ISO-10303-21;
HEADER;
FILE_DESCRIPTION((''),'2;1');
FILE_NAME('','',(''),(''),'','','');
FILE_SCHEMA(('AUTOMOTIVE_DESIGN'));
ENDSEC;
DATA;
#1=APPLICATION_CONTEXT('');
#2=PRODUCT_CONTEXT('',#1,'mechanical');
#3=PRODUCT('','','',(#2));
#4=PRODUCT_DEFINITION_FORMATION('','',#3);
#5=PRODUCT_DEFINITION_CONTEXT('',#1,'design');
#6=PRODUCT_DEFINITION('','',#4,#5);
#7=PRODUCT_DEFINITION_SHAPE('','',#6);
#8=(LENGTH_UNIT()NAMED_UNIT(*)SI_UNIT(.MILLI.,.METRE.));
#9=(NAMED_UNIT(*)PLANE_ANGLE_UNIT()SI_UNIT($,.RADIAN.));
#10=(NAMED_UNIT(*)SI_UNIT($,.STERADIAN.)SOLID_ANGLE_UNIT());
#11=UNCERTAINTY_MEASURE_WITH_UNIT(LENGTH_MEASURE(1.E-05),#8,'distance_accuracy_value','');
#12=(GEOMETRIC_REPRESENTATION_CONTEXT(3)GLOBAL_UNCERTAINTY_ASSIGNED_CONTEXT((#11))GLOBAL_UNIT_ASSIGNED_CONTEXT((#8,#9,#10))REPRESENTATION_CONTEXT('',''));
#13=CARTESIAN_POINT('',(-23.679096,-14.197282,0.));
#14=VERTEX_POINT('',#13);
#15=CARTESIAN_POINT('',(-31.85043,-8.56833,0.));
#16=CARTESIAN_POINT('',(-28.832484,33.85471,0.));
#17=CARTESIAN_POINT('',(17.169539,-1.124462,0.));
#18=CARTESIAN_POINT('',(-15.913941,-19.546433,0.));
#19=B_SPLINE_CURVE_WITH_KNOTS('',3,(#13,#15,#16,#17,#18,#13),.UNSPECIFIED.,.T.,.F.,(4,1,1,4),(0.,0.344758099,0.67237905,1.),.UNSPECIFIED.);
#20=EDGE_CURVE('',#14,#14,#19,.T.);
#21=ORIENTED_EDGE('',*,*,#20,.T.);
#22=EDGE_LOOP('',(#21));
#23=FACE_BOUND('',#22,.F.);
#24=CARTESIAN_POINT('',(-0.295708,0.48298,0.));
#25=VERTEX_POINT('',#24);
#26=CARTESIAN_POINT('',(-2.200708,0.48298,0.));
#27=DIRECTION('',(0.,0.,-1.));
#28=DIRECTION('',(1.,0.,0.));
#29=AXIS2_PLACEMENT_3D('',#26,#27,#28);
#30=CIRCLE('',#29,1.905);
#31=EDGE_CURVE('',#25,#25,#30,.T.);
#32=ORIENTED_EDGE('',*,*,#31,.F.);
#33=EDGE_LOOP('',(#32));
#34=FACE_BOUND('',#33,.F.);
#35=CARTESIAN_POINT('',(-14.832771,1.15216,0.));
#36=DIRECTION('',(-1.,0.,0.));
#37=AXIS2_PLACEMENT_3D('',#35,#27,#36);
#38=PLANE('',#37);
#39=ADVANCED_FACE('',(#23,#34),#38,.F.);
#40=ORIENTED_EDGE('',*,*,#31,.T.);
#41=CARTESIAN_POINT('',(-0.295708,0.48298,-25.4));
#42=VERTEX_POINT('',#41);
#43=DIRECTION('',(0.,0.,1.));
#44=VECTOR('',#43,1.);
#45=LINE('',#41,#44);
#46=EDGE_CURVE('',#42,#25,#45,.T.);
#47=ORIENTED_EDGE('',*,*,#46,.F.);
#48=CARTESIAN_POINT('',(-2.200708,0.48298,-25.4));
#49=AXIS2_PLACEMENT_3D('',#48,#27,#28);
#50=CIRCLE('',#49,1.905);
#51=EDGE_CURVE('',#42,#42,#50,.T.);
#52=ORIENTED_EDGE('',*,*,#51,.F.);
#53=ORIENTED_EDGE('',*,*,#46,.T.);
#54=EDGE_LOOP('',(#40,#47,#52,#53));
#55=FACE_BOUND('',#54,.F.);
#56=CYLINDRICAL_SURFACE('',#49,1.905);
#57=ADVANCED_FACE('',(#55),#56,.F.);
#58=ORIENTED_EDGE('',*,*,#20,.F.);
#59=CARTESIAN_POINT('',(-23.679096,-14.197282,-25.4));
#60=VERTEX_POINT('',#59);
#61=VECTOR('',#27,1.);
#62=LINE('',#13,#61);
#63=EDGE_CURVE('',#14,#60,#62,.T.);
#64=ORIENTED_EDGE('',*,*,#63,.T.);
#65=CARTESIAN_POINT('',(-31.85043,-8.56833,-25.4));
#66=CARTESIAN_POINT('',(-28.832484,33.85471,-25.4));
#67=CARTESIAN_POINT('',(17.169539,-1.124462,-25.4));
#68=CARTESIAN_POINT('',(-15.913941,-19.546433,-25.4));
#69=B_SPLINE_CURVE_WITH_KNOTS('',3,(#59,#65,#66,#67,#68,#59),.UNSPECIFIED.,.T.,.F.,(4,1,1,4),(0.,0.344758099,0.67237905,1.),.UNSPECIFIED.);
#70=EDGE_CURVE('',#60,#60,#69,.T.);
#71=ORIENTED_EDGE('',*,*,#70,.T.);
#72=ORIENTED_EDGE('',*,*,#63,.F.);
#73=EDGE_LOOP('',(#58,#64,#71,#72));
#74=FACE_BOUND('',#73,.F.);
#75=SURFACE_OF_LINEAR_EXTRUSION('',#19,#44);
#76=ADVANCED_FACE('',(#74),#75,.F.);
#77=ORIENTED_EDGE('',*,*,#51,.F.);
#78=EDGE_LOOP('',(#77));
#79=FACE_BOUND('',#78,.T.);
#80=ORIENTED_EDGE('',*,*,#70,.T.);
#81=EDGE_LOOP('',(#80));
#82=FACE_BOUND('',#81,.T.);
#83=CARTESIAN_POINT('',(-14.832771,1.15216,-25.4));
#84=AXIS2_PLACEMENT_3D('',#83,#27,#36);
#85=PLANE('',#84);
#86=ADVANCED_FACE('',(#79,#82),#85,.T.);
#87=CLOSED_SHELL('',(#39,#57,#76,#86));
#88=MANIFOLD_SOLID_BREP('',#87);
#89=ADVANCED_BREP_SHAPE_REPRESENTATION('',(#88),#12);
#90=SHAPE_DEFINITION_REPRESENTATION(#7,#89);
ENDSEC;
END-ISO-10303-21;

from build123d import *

# Parameters (mm, degrees)
F1_DEPTH = 25.4
F2_R     = 1.905
F3_DEPTH = 25.4


with BuildPart() as f1:
    # F0 (on Top) → F1 (new body)
    with BuildSketch(Plane.XY):
        with BuildLine():
            add(Edge.make_bspline(
                [(-23.6790960444, -14.1972824143), (-31.8504300551, -8.5683296883), (-28.8324842578, 33.854710218), (17.1695388017, -1.1244623065), (-15.9139406429, -19.5464325785), (-23.6790960444, -14.1972824143)],
                knots=[0, 0, 0, 0, 0.3447580991, 0.6723790495, 1, 1, 1, 1], degree=3))
        make_face()
    extrude(amount=-F1_DEPTH)

    # F2 (on face) → F3 (cut)
    with BuildSketch(Plane(origin=(0, 0, -25.4), x_dir=(1, 0, 0), z_dir=(0, 0, -1))):
        with Locations((-2.2007077932, -0.4829803947)):
            Circle(F2_R)
    extrude(amount=-F3_DEPTH, mode=Mode.SUBTRACT)


solid = f1.part
